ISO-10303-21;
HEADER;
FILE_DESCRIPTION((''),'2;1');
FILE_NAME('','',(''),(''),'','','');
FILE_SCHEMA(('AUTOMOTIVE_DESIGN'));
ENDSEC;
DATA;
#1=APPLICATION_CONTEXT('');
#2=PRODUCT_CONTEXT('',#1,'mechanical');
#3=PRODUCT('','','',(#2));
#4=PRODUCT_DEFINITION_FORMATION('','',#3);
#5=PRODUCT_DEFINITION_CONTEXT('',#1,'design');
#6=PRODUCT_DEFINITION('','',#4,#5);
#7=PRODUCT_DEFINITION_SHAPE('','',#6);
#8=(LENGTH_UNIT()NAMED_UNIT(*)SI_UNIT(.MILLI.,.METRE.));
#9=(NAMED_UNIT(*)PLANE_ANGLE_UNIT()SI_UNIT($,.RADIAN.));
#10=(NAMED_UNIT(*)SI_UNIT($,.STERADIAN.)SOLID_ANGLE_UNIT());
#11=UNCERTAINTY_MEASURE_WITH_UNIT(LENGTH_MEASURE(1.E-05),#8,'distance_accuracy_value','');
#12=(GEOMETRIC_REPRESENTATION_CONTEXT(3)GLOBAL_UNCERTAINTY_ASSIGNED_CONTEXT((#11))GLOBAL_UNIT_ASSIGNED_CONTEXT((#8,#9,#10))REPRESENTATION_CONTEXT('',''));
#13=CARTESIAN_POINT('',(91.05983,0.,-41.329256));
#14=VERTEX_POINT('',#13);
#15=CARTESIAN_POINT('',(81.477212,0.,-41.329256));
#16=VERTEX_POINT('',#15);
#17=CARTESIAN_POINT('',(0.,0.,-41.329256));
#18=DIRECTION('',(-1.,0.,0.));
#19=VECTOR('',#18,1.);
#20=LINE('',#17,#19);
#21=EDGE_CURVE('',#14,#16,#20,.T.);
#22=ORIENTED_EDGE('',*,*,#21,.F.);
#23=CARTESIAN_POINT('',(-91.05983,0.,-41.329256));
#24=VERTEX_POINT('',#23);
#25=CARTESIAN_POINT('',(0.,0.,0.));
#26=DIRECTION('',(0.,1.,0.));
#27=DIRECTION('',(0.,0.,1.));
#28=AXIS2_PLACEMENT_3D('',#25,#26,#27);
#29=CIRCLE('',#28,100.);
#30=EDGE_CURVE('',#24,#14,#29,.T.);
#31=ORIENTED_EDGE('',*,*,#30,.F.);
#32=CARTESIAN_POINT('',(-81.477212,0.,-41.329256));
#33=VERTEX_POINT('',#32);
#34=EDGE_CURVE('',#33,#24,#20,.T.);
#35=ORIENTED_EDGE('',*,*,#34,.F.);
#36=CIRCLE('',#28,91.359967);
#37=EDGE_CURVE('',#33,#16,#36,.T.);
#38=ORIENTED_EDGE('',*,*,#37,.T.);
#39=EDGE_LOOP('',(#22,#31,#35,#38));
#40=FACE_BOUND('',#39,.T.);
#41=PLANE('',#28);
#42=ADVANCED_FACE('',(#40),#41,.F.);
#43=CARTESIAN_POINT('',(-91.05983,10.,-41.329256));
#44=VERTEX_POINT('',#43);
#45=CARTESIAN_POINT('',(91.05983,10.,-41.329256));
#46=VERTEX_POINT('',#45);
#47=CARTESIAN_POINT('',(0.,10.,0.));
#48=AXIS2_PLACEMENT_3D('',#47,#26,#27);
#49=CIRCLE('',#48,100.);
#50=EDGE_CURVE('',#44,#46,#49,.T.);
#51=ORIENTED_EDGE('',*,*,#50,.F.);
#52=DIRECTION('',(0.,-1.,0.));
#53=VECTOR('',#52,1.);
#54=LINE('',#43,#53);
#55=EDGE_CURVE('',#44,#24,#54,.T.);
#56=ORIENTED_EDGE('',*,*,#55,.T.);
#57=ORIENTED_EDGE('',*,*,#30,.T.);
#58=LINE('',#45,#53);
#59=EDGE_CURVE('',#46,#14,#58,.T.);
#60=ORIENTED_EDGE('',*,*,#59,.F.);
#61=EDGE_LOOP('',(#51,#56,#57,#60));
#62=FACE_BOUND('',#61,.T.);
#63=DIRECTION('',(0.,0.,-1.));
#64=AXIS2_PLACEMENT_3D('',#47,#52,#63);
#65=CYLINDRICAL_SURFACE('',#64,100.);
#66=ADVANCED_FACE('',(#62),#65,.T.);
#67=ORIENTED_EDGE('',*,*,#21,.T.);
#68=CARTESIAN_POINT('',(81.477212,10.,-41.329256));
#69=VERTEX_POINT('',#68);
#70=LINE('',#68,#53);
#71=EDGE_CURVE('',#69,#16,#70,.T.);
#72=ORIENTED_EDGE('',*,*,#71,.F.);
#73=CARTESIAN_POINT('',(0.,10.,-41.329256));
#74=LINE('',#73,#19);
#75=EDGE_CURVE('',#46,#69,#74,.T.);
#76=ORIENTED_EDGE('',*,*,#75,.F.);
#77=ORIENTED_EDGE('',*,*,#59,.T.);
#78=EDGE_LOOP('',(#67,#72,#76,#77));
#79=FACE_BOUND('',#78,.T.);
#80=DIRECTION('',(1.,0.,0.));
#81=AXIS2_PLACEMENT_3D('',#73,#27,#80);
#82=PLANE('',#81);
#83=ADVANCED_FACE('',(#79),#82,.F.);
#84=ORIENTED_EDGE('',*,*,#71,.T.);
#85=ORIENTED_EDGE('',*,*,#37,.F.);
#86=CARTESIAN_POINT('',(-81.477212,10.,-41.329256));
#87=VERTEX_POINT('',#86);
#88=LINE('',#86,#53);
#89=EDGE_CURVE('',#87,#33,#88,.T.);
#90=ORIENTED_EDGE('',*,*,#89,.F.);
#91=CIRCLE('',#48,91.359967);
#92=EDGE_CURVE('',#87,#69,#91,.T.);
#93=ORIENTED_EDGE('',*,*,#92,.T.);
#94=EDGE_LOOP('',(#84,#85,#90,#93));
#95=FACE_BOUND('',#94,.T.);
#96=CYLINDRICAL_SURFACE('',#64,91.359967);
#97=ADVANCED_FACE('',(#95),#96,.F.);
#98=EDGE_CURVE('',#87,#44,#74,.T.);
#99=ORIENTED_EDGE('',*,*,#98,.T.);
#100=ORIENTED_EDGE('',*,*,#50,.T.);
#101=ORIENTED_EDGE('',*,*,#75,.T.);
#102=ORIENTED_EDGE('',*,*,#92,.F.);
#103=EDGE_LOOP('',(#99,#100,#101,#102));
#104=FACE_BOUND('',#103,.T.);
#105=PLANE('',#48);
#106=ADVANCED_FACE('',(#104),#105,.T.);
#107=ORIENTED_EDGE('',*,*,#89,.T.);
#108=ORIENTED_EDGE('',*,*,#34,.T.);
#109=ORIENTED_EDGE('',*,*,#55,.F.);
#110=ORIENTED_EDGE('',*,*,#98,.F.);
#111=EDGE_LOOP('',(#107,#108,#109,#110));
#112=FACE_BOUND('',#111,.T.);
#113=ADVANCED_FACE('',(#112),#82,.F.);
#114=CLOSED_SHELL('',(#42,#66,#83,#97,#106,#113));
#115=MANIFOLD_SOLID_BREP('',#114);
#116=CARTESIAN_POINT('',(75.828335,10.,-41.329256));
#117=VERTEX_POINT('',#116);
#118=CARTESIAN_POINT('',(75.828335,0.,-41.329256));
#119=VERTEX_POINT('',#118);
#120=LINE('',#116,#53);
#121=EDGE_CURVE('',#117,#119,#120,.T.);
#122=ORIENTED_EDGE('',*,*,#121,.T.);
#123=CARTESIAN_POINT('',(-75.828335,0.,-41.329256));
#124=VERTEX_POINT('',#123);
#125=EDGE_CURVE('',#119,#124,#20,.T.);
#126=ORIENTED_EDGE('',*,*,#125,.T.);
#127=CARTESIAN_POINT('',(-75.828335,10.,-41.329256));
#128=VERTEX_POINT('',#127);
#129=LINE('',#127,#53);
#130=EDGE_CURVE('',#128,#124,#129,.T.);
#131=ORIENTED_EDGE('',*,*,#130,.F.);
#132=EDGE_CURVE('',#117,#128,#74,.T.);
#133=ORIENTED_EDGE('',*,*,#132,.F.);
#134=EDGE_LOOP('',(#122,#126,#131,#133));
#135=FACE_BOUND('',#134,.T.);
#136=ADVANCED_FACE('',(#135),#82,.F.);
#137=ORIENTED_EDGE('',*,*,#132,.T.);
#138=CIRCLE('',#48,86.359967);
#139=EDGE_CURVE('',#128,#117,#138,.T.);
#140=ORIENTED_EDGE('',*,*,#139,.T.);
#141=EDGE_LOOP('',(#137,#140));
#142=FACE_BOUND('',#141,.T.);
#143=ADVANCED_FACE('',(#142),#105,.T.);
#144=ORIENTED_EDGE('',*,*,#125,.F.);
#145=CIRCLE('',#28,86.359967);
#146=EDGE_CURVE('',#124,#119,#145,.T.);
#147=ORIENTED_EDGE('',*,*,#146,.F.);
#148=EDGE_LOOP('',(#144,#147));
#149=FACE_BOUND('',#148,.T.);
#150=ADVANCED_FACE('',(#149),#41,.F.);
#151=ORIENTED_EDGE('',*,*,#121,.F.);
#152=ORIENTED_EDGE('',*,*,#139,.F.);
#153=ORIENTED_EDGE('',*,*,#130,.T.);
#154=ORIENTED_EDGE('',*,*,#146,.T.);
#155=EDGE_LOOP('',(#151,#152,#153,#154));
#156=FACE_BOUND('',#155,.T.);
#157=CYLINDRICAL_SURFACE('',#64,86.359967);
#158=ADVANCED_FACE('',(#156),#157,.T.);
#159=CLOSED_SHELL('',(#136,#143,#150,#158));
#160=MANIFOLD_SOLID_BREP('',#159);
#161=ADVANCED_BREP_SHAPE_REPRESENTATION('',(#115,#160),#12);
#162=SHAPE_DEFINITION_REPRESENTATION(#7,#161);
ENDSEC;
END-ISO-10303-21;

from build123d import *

# Parameters (mm, degrees)
AUFSATZ_LINEAR_AUSTRAGEN1_DEPTH   = 10
AUFSATZ_LINEAR_AUSTRAGEN1_2_DEPTH = 10


with BuildPart() as part:
    # Skizze1 → Aufsatz-Linear austragen1 (new body)
    with BuildSketch(Plane(origin=(0, 0, 0), x_dir=(1, 0, 0), z_dir=(0, 1, 0))):
        with BuildLine():
            ThreePointArc((-75.828335412, 41.329255816), (0, -86.359966638), (75.828335412, 41.329255816))
            Line((75.828335412, 41.329255816), (-75.828335412, 41.329255816))
        make_face()
    extrude(amount=AUFSATZ_LINEAR_AUSTRAGEN1_DEPTH)


with BuildPart() as body_2:
    # Skizze1 → Aufsatz-Linear austragen1 2 (new body)
    with BuildSketch(Plane(origin=(0, 0, 0), x_dir=(1, 0, 0), z_dir=(0, 1, 0))):
        with BuildLine():
            ThreePointArc((-91.059829858, 41.329255816), (0, -100), (91.059829858, 41.329255816))
            Line((91.059829858, 41.329255816), (81.47721226, 41.329255816))
            ThreePointArc((81.47721226, 41.329255816), (0, -91.359966638), (-81.47721226, 41.329255816))
            Line((-81.47721226, 41.329255816), (-91.059829858, 41.329255816))
        make_face()
    extrude(amount=AUFSATZ_LINEAR_AUSTRAGEN1_2_DEPTH)


solid = Compound([part.part, body_2.part])
